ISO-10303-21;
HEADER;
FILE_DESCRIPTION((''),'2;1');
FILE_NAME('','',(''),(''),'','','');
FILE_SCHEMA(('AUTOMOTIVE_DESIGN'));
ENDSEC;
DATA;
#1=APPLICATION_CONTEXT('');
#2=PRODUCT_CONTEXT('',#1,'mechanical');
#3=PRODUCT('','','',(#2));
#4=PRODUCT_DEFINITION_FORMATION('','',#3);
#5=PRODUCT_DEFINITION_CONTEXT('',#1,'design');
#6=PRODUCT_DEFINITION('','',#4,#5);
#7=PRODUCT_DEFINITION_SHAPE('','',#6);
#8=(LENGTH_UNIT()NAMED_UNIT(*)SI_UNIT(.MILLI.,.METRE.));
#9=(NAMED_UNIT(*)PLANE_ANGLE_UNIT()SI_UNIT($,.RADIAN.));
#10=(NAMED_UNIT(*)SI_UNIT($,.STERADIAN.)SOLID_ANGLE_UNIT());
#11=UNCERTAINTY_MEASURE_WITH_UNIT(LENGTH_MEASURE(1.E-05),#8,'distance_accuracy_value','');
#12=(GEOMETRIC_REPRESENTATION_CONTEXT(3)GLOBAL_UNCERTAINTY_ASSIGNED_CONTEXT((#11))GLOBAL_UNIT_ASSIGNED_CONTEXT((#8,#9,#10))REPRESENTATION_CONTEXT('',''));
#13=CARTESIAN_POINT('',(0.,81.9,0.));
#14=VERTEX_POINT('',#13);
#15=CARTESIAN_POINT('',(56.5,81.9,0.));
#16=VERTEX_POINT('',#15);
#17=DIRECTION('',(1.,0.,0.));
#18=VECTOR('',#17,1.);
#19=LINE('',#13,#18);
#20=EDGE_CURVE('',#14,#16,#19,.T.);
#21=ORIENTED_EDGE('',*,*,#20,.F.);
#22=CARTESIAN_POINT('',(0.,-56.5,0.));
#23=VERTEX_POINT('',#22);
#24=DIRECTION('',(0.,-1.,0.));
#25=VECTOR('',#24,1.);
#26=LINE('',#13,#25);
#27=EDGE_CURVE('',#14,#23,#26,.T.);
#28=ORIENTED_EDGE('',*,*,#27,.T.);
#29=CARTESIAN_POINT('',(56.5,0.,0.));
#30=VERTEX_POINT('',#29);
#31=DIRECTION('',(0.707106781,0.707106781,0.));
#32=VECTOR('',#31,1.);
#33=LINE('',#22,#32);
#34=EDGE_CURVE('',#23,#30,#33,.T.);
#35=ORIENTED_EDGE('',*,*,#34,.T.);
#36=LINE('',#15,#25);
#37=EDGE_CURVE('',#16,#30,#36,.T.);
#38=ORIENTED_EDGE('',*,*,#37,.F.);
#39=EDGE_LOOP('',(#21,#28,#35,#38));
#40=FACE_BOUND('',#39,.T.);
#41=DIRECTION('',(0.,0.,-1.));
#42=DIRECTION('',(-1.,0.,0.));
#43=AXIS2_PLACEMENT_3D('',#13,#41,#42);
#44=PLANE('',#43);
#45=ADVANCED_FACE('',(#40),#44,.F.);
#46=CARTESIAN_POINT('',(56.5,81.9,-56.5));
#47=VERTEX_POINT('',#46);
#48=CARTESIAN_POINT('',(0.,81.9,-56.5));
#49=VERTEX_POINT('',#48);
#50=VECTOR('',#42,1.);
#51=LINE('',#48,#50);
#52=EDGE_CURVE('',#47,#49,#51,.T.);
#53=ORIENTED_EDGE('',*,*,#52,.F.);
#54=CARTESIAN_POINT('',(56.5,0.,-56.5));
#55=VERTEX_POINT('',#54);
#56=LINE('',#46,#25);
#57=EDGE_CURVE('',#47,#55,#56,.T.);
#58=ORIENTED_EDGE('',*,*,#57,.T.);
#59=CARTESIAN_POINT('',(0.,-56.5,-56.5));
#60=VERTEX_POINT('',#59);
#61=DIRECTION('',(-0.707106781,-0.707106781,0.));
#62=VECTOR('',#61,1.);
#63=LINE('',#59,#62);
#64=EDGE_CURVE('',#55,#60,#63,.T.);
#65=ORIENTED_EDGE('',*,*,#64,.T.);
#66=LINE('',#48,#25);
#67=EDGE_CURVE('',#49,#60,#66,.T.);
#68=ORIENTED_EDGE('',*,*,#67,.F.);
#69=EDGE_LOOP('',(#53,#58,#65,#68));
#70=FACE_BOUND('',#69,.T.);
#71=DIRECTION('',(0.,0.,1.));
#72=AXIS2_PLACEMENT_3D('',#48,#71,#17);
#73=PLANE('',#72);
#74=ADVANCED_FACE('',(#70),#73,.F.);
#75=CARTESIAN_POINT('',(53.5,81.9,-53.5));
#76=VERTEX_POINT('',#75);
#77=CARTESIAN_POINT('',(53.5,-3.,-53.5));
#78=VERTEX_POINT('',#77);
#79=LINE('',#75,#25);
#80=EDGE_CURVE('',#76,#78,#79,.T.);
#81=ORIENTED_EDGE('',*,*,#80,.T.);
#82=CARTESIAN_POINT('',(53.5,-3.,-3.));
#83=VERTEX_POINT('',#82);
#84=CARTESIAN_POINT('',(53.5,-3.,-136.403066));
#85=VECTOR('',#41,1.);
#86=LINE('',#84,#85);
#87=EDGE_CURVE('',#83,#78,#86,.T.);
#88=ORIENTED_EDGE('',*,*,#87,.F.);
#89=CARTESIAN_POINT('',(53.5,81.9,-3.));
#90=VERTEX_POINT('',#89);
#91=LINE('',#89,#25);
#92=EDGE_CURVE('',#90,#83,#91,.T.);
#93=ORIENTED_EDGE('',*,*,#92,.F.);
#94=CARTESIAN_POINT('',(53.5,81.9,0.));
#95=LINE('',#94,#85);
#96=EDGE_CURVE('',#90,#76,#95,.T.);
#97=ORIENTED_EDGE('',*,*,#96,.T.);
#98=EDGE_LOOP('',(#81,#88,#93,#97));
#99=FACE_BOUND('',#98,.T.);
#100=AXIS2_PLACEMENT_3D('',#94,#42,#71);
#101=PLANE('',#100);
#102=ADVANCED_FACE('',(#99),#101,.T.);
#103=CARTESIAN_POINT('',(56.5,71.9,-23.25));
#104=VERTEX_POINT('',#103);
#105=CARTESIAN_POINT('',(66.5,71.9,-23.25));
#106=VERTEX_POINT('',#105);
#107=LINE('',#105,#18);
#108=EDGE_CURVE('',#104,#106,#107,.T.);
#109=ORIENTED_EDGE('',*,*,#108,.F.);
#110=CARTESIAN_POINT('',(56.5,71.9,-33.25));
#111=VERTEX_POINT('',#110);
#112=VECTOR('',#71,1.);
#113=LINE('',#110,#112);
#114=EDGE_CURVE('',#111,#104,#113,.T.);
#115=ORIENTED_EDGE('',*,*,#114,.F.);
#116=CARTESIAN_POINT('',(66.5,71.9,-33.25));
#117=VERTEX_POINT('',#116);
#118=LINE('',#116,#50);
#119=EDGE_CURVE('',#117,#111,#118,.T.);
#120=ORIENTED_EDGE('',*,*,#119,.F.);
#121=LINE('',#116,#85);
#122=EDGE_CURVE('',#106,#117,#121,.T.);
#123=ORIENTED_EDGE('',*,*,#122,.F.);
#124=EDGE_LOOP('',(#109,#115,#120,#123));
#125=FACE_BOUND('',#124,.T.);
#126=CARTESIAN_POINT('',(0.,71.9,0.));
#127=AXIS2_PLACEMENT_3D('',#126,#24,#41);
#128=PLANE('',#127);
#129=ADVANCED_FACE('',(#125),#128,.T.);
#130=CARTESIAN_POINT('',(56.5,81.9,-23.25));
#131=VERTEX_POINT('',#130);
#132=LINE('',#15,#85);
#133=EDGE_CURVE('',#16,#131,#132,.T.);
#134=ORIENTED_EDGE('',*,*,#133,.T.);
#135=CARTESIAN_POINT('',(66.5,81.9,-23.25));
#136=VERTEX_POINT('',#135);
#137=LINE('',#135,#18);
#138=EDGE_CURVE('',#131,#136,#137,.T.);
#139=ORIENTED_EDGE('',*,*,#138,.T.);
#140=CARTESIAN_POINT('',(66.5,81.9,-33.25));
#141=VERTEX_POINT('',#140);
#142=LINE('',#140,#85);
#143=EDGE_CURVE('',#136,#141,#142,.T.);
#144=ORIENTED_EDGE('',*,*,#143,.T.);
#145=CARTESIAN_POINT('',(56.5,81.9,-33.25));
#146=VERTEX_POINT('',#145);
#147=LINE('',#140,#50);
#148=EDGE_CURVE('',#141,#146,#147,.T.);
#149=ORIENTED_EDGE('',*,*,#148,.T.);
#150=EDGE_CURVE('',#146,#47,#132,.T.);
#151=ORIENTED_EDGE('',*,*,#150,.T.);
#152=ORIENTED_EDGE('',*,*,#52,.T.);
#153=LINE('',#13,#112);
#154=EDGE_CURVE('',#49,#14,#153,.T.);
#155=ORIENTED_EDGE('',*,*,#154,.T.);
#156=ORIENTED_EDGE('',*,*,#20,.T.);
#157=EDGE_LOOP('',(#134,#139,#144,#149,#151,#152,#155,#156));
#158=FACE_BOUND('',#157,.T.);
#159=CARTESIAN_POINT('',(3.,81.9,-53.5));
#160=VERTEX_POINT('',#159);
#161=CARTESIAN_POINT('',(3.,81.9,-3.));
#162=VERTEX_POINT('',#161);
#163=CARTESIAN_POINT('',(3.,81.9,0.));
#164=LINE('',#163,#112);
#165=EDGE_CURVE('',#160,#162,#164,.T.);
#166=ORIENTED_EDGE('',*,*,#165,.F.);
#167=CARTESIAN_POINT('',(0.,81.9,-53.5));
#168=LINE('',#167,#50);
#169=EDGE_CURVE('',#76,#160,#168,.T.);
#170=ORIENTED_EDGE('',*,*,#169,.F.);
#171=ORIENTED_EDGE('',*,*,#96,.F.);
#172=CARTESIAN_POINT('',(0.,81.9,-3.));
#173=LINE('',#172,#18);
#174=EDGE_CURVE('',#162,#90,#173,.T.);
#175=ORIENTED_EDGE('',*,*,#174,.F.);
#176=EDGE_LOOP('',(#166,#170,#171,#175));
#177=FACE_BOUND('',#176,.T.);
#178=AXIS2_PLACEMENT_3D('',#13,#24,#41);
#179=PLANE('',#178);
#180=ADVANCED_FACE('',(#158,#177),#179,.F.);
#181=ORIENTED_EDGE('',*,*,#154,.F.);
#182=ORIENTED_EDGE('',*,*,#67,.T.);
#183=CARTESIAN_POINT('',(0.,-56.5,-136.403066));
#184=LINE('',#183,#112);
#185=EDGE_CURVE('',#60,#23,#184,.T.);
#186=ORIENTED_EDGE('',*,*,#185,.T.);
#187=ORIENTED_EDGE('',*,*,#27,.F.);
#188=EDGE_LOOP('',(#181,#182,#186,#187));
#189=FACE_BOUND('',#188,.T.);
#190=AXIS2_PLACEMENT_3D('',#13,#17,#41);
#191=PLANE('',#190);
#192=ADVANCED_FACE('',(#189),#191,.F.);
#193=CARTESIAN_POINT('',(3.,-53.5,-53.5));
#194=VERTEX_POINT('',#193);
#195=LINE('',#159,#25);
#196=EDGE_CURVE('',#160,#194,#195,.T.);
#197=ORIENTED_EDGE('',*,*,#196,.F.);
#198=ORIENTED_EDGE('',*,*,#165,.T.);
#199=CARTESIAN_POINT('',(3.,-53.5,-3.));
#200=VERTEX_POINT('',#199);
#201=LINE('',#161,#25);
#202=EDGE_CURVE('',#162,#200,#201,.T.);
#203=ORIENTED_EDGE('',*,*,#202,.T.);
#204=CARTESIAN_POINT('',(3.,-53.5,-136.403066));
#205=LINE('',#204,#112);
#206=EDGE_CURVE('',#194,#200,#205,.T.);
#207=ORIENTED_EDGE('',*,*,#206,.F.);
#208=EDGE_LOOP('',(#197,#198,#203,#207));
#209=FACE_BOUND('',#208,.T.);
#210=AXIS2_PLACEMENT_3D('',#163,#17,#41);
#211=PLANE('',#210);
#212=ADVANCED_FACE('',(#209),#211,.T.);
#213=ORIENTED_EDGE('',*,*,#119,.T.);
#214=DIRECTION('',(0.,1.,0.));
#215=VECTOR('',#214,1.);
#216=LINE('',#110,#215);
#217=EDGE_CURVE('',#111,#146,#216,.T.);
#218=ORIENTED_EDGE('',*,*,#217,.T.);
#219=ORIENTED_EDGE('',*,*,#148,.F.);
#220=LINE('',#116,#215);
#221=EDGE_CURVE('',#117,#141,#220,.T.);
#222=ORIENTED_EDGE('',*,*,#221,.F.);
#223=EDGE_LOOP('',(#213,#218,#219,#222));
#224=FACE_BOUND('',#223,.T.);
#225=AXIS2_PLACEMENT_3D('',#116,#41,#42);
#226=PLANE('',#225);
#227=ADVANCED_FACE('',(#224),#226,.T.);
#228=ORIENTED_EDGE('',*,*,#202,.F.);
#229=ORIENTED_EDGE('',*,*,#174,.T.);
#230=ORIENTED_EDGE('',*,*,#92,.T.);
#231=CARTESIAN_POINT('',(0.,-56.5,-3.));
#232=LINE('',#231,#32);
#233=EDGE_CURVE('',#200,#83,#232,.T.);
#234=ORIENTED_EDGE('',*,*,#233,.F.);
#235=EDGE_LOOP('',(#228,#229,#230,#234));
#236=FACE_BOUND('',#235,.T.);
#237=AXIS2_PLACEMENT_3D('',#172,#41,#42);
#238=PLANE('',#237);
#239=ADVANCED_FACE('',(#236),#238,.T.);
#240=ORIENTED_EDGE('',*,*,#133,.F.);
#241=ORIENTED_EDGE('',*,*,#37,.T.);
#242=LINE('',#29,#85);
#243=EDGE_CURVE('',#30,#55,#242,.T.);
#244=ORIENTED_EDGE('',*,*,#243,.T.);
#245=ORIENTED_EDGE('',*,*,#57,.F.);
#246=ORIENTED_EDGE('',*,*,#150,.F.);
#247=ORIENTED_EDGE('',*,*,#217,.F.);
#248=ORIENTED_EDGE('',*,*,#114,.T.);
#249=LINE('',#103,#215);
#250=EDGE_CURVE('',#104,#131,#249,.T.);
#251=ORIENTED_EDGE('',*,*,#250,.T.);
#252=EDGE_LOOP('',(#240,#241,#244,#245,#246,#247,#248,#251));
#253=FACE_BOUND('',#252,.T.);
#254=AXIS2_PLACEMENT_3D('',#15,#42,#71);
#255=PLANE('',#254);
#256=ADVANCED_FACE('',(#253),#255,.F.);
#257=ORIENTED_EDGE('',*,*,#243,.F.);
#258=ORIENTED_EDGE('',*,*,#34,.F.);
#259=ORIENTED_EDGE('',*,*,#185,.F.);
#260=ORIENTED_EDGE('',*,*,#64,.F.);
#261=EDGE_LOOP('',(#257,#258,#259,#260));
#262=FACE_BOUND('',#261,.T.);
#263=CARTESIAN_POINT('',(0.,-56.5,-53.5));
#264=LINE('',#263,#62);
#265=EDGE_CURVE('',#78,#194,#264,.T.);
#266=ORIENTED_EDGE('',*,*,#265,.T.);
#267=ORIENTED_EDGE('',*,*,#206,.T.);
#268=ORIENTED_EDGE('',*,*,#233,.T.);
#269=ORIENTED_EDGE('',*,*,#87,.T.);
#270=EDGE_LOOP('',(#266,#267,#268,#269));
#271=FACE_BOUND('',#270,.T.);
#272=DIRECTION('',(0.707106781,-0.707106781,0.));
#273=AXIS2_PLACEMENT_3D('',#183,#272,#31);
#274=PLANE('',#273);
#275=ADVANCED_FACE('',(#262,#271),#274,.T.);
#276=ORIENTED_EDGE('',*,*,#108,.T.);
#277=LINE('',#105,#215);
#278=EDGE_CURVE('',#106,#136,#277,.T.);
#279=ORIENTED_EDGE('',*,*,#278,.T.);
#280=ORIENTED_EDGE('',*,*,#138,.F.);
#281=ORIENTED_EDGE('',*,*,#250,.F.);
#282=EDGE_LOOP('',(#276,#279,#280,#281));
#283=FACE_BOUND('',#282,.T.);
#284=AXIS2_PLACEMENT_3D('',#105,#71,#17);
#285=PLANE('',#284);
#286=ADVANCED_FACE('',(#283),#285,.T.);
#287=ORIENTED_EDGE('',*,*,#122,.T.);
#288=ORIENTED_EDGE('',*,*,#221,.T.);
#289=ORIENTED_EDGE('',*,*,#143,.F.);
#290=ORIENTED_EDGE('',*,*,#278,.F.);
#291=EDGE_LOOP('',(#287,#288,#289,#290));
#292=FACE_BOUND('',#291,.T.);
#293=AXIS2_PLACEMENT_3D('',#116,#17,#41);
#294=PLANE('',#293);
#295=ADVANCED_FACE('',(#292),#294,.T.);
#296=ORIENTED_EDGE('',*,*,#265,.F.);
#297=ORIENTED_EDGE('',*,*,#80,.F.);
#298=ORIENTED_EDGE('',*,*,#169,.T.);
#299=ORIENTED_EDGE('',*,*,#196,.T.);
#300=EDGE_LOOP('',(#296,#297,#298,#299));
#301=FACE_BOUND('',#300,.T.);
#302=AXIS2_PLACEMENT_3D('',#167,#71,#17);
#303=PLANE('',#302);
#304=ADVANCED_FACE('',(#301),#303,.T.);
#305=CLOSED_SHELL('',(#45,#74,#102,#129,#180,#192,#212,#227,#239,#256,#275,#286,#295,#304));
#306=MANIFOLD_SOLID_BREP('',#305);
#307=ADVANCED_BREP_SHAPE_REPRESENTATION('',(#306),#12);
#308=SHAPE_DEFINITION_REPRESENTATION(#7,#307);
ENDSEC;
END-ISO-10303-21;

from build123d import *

# Parameters (mm, degrees)
CROQUIS1_W              = 56.5
CROQUIS1_H              = 56.5
SALIENTE_EXTRUIR1_DEPTH = 81.9
SALIENTE_EXTRUIR2_DEPTH = 56.5
VACIADO4_T              = -3
CROQUIS3_W              = 10
CROQUIS3_H              = 10
SALIENTE_EXTRUIR3_DEPTH = 10


with BuildPart() as part:
    # Croquis1 → Saliente-Extruir1 (new body)
    with BuildSketch(Plane(origin=(0, 0, 0), x_dir=(1, 0, 0), z_dir=(0, 1, 0))):
        with Locations((28.25, 28.25)):
            Rectangle(CROQUIS1_W, CROQUIS1_H)
    extrude(amount=SALIENTE_EXTRUIR1_DEPTH)

    # Croquis2 → Saliente-Extruir2 (add)
    with BuildSketch(Plane.XY):
        Polygon((0, 0), (0, -56.5), (56.5, 0), align=None)
    extrude(amount=-SALIENTE_EXTRUIR2_DEPTH)

    # Vaciado4
    vaciado4_openings = [part.faces().sort_by_distance(p)[0] for p in [
        (28.25, 81.9, -28.25),
        (28.25, -28.25, -28.25),
    ]]
    offset(amount=VACIADO4_T, openings=vaciado4_openings, kind=Kind.INTERSECTION)

    # Croquis3 → Saliente-Extruir3 (add)
    with BuildSketch(Plane(origin=(0, 81.9, 0), x_dir=(1, 0, 0), z_dir=(0, 1, 0))):
        with Locations((61.5, 28.25)):
            Rectangle(CROQUIS3_W, CROQUIS3_H)
    extrude(amount=-SALIENTE_EXTRUIR3_DEPTH)


solid = part.part
